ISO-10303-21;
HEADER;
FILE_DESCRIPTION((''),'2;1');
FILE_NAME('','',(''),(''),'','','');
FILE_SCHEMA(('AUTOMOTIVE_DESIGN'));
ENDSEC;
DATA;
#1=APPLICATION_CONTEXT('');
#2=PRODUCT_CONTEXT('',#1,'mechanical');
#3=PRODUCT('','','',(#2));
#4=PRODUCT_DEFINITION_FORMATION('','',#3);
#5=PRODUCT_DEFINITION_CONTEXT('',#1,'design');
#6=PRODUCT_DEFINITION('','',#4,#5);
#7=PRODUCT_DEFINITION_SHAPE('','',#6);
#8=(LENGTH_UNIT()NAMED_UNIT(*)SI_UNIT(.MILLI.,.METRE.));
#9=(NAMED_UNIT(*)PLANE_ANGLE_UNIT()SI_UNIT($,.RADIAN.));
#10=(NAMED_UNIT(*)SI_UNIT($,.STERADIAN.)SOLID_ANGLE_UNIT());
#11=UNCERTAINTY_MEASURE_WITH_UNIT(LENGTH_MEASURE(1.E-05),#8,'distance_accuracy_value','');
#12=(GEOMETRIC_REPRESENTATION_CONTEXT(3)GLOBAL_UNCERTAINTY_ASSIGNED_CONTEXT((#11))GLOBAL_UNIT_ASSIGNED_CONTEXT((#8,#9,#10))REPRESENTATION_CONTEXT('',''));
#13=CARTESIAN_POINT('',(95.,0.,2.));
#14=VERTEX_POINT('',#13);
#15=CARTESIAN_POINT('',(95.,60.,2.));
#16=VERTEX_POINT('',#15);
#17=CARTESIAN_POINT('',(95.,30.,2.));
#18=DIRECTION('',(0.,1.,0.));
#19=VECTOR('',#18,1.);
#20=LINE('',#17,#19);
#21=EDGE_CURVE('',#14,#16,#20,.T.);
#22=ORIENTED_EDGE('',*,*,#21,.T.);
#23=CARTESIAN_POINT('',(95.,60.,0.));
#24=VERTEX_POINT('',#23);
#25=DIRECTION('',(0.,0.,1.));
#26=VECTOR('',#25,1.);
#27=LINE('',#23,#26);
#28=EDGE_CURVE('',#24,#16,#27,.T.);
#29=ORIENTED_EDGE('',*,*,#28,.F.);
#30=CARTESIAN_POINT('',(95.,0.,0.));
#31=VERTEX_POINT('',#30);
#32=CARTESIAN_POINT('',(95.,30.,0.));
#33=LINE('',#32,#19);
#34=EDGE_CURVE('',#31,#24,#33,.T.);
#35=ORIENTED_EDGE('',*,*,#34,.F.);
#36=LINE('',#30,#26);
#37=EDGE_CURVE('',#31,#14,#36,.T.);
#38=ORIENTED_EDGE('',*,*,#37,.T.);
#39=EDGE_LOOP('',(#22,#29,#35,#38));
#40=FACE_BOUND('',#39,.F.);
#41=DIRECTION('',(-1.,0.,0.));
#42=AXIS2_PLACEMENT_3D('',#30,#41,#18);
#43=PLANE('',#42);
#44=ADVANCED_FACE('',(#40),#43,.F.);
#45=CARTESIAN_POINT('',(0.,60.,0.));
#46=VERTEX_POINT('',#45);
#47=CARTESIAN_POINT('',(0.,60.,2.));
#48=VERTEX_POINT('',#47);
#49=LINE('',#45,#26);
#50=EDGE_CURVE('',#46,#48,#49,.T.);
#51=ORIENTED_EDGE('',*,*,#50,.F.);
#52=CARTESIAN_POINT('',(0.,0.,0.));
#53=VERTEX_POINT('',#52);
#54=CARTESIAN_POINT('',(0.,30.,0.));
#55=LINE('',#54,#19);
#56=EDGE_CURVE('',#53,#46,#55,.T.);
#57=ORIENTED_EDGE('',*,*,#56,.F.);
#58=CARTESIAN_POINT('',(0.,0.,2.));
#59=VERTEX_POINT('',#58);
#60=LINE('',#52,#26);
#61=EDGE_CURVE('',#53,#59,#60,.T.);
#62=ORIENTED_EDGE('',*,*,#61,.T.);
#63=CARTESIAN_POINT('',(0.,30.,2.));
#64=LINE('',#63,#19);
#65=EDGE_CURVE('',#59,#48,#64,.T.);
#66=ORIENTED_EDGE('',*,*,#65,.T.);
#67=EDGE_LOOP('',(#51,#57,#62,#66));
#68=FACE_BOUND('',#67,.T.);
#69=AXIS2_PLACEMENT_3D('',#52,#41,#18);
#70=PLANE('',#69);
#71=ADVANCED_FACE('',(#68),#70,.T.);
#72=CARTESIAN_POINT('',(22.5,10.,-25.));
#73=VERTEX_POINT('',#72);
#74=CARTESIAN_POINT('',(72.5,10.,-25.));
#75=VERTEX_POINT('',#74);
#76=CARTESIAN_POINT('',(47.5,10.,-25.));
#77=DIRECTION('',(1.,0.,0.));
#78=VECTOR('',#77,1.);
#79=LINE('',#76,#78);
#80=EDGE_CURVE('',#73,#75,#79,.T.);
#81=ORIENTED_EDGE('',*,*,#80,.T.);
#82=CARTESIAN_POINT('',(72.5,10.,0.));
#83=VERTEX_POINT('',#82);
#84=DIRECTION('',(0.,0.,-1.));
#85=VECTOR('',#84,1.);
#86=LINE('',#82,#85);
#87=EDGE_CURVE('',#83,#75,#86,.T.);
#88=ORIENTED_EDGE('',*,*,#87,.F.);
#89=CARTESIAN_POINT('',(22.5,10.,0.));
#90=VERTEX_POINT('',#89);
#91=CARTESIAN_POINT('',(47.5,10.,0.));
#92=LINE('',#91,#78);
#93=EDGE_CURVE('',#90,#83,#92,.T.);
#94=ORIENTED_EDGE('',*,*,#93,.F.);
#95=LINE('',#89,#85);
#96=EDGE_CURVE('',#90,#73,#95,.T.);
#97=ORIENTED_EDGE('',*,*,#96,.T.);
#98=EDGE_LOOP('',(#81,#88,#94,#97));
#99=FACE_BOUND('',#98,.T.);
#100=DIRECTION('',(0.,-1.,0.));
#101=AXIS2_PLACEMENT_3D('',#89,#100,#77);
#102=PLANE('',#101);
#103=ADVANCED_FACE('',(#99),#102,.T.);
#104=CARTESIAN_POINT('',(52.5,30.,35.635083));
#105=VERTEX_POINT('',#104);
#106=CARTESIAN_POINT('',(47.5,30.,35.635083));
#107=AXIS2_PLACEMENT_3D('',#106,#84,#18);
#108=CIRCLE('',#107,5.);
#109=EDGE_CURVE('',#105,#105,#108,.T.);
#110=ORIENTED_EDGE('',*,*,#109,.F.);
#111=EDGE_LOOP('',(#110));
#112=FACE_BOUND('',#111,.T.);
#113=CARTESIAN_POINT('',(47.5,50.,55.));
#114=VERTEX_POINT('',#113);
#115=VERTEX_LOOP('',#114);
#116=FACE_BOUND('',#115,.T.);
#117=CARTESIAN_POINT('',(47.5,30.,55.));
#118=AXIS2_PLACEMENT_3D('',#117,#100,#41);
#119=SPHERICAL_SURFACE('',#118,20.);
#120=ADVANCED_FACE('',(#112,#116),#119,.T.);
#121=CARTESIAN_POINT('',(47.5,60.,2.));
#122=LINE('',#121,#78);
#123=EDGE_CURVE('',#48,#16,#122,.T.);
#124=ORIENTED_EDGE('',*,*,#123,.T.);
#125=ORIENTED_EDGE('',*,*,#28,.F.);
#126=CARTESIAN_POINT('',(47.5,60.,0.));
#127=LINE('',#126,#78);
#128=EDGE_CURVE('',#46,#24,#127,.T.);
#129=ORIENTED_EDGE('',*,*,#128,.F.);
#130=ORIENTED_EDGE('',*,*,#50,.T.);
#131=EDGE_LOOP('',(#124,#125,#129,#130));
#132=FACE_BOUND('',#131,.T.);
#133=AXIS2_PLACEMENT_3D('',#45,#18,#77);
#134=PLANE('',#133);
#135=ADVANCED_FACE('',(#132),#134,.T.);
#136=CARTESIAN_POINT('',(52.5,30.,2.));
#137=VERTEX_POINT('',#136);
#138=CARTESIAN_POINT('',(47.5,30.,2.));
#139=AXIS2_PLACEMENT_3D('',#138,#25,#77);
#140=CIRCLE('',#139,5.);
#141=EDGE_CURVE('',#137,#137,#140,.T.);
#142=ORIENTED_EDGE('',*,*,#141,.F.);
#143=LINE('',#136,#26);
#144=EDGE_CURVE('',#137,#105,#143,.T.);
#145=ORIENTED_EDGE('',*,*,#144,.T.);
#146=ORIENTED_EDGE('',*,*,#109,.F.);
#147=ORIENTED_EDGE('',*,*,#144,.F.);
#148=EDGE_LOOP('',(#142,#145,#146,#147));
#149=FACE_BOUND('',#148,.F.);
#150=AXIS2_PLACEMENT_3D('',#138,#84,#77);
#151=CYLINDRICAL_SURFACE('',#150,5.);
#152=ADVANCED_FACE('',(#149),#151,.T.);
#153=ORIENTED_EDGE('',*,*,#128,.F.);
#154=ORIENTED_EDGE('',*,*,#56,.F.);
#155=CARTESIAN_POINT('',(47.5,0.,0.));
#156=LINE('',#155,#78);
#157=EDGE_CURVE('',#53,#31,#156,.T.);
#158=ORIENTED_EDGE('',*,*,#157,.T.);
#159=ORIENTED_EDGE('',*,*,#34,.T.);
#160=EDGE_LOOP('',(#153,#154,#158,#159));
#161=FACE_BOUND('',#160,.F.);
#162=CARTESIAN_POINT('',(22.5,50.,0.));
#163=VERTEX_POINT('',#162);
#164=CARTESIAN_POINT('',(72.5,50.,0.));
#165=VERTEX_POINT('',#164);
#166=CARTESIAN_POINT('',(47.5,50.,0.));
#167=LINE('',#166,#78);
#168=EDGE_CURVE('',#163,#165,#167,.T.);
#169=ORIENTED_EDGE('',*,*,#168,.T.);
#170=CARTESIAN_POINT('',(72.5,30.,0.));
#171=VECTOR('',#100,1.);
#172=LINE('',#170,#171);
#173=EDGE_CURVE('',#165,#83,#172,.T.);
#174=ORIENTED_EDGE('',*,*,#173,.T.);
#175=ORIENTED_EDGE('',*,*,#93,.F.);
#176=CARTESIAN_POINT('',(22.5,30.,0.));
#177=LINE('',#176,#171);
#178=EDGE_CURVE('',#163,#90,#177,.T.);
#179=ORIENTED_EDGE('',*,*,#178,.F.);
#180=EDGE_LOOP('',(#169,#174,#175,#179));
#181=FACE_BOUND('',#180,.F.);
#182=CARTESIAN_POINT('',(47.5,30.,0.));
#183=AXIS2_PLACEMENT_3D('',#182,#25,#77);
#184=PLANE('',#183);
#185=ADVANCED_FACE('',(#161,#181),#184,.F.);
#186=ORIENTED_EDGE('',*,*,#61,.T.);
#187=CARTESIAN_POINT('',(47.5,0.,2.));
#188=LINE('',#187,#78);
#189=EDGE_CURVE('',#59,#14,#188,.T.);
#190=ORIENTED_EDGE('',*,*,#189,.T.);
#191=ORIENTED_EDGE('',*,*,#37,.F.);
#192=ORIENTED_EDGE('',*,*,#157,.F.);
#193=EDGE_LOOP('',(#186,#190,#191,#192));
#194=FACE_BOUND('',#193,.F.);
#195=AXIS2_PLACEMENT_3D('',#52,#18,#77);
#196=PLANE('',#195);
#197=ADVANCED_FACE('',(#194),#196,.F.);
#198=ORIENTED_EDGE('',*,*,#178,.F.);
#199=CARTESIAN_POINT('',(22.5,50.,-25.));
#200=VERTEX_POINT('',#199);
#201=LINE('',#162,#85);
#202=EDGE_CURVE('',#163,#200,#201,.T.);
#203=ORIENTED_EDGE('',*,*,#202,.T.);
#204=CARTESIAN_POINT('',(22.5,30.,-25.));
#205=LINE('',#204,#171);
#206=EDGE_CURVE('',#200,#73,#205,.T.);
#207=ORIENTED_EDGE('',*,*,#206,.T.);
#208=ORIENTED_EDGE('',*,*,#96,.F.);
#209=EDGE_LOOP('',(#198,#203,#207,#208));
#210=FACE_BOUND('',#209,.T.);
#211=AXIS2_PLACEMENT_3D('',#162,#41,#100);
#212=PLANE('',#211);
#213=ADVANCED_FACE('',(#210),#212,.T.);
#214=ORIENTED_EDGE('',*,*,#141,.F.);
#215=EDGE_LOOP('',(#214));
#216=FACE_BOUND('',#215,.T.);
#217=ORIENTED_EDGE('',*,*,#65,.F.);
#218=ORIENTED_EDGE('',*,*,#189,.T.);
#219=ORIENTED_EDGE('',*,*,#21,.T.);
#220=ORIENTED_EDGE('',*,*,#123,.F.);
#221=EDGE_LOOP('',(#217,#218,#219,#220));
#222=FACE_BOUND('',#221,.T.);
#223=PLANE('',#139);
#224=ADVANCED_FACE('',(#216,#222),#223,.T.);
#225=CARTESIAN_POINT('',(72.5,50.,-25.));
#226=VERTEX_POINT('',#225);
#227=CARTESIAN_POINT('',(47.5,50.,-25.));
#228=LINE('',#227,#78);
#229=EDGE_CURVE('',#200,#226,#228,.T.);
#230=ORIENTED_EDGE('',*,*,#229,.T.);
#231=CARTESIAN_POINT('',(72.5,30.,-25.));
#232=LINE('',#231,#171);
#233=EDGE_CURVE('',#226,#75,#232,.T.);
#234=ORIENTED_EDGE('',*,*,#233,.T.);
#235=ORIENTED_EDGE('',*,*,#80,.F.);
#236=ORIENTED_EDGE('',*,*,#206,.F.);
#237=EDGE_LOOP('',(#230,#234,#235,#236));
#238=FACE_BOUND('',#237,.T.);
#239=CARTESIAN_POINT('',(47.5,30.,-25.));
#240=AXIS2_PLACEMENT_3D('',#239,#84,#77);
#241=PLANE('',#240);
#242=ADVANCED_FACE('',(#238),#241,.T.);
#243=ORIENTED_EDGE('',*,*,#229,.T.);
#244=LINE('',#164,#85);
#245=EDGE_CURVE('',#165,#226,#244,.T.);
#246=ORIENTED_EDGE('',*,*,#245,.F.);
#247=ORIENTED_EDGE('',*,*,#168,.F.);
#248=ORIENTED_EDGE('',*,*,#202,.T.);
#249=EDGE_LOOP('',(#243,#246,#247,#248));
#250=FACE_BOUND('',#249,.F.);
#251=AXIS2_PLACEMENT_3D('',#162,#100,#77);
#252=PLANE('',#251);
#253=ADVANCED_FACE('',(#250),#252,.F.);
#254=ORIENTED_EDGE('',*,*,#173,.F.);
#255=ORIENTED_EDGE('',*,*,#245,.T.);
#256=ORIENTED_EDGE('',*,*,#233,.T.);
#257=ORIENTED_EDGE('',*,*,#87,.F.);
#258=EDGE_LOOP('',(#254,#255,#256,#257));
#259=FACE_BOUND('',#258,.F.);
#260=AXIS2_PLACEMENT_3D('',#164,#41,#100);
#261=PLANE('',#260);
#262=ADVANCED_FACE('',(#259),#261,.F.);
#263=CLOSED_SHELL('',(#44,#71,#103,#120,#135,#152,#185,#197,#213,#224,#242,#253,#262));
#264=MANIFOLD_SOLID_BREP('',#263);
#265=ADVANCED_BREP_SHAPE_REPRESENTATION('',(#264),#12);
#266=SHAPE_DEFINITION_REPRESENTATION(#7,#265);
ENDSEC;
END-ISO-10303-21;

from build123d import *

# Parameters (mm, degrees)
SKETCH_W     = 95
SKETCH_H     = 60
PAD_DEPTH    = 2
SKETCH001_W  = 50
SKETCH001_H  = 40
PAD001_DEPTH = 25
SKETCH002_R  = 5
PAD002_DEPTH = 53


with BuildPart() as part:
    # Sketch → Pad (new body)
    with BuildSketch(Plane.XY):
        with Locations((47.5, 30)):
            Rectangle(SKETCH_W, SKETCH_H)
    extrude(amount=PAD_DEPTH)

    # Sketch001 (on Face5 of Pad) → Pad001 (join)
    with BuildSketch(Plane(origin=(0, 0, 0), x_dir=(1, 0, 0), z_dir=(0, 0, -1))):
        with Locations((47.5, -30)):
            Rectangle(SKETCH001_W, SKETCH001_H)
    extrude(amount=PAD001_DEPTH)

    # Sketch002 (on Face5 of Pad001) → Pad002 (join)
    with BuildSketch(Plane.XY.offset(2)):
        with Locations((47.5, 30)):
            Circle(SKETCH002_R)
    extrude(amount=PAD002_DEPTH)

    # Sketch003 (on Face13 of Pad002) → Revolution (revolve)
    with BuildSketch(Plane.XY.offset(55)):
        with BuildLine():
            ThreePointArc((47.5, 50), (27.5, 30), (47.5, 10))
            Line((47.5, 50), (47.5, 10))
        make_face()
    revolve(axis=Axis((47.5, 50, 55), (0, -1, 0)))


solid = part.part
